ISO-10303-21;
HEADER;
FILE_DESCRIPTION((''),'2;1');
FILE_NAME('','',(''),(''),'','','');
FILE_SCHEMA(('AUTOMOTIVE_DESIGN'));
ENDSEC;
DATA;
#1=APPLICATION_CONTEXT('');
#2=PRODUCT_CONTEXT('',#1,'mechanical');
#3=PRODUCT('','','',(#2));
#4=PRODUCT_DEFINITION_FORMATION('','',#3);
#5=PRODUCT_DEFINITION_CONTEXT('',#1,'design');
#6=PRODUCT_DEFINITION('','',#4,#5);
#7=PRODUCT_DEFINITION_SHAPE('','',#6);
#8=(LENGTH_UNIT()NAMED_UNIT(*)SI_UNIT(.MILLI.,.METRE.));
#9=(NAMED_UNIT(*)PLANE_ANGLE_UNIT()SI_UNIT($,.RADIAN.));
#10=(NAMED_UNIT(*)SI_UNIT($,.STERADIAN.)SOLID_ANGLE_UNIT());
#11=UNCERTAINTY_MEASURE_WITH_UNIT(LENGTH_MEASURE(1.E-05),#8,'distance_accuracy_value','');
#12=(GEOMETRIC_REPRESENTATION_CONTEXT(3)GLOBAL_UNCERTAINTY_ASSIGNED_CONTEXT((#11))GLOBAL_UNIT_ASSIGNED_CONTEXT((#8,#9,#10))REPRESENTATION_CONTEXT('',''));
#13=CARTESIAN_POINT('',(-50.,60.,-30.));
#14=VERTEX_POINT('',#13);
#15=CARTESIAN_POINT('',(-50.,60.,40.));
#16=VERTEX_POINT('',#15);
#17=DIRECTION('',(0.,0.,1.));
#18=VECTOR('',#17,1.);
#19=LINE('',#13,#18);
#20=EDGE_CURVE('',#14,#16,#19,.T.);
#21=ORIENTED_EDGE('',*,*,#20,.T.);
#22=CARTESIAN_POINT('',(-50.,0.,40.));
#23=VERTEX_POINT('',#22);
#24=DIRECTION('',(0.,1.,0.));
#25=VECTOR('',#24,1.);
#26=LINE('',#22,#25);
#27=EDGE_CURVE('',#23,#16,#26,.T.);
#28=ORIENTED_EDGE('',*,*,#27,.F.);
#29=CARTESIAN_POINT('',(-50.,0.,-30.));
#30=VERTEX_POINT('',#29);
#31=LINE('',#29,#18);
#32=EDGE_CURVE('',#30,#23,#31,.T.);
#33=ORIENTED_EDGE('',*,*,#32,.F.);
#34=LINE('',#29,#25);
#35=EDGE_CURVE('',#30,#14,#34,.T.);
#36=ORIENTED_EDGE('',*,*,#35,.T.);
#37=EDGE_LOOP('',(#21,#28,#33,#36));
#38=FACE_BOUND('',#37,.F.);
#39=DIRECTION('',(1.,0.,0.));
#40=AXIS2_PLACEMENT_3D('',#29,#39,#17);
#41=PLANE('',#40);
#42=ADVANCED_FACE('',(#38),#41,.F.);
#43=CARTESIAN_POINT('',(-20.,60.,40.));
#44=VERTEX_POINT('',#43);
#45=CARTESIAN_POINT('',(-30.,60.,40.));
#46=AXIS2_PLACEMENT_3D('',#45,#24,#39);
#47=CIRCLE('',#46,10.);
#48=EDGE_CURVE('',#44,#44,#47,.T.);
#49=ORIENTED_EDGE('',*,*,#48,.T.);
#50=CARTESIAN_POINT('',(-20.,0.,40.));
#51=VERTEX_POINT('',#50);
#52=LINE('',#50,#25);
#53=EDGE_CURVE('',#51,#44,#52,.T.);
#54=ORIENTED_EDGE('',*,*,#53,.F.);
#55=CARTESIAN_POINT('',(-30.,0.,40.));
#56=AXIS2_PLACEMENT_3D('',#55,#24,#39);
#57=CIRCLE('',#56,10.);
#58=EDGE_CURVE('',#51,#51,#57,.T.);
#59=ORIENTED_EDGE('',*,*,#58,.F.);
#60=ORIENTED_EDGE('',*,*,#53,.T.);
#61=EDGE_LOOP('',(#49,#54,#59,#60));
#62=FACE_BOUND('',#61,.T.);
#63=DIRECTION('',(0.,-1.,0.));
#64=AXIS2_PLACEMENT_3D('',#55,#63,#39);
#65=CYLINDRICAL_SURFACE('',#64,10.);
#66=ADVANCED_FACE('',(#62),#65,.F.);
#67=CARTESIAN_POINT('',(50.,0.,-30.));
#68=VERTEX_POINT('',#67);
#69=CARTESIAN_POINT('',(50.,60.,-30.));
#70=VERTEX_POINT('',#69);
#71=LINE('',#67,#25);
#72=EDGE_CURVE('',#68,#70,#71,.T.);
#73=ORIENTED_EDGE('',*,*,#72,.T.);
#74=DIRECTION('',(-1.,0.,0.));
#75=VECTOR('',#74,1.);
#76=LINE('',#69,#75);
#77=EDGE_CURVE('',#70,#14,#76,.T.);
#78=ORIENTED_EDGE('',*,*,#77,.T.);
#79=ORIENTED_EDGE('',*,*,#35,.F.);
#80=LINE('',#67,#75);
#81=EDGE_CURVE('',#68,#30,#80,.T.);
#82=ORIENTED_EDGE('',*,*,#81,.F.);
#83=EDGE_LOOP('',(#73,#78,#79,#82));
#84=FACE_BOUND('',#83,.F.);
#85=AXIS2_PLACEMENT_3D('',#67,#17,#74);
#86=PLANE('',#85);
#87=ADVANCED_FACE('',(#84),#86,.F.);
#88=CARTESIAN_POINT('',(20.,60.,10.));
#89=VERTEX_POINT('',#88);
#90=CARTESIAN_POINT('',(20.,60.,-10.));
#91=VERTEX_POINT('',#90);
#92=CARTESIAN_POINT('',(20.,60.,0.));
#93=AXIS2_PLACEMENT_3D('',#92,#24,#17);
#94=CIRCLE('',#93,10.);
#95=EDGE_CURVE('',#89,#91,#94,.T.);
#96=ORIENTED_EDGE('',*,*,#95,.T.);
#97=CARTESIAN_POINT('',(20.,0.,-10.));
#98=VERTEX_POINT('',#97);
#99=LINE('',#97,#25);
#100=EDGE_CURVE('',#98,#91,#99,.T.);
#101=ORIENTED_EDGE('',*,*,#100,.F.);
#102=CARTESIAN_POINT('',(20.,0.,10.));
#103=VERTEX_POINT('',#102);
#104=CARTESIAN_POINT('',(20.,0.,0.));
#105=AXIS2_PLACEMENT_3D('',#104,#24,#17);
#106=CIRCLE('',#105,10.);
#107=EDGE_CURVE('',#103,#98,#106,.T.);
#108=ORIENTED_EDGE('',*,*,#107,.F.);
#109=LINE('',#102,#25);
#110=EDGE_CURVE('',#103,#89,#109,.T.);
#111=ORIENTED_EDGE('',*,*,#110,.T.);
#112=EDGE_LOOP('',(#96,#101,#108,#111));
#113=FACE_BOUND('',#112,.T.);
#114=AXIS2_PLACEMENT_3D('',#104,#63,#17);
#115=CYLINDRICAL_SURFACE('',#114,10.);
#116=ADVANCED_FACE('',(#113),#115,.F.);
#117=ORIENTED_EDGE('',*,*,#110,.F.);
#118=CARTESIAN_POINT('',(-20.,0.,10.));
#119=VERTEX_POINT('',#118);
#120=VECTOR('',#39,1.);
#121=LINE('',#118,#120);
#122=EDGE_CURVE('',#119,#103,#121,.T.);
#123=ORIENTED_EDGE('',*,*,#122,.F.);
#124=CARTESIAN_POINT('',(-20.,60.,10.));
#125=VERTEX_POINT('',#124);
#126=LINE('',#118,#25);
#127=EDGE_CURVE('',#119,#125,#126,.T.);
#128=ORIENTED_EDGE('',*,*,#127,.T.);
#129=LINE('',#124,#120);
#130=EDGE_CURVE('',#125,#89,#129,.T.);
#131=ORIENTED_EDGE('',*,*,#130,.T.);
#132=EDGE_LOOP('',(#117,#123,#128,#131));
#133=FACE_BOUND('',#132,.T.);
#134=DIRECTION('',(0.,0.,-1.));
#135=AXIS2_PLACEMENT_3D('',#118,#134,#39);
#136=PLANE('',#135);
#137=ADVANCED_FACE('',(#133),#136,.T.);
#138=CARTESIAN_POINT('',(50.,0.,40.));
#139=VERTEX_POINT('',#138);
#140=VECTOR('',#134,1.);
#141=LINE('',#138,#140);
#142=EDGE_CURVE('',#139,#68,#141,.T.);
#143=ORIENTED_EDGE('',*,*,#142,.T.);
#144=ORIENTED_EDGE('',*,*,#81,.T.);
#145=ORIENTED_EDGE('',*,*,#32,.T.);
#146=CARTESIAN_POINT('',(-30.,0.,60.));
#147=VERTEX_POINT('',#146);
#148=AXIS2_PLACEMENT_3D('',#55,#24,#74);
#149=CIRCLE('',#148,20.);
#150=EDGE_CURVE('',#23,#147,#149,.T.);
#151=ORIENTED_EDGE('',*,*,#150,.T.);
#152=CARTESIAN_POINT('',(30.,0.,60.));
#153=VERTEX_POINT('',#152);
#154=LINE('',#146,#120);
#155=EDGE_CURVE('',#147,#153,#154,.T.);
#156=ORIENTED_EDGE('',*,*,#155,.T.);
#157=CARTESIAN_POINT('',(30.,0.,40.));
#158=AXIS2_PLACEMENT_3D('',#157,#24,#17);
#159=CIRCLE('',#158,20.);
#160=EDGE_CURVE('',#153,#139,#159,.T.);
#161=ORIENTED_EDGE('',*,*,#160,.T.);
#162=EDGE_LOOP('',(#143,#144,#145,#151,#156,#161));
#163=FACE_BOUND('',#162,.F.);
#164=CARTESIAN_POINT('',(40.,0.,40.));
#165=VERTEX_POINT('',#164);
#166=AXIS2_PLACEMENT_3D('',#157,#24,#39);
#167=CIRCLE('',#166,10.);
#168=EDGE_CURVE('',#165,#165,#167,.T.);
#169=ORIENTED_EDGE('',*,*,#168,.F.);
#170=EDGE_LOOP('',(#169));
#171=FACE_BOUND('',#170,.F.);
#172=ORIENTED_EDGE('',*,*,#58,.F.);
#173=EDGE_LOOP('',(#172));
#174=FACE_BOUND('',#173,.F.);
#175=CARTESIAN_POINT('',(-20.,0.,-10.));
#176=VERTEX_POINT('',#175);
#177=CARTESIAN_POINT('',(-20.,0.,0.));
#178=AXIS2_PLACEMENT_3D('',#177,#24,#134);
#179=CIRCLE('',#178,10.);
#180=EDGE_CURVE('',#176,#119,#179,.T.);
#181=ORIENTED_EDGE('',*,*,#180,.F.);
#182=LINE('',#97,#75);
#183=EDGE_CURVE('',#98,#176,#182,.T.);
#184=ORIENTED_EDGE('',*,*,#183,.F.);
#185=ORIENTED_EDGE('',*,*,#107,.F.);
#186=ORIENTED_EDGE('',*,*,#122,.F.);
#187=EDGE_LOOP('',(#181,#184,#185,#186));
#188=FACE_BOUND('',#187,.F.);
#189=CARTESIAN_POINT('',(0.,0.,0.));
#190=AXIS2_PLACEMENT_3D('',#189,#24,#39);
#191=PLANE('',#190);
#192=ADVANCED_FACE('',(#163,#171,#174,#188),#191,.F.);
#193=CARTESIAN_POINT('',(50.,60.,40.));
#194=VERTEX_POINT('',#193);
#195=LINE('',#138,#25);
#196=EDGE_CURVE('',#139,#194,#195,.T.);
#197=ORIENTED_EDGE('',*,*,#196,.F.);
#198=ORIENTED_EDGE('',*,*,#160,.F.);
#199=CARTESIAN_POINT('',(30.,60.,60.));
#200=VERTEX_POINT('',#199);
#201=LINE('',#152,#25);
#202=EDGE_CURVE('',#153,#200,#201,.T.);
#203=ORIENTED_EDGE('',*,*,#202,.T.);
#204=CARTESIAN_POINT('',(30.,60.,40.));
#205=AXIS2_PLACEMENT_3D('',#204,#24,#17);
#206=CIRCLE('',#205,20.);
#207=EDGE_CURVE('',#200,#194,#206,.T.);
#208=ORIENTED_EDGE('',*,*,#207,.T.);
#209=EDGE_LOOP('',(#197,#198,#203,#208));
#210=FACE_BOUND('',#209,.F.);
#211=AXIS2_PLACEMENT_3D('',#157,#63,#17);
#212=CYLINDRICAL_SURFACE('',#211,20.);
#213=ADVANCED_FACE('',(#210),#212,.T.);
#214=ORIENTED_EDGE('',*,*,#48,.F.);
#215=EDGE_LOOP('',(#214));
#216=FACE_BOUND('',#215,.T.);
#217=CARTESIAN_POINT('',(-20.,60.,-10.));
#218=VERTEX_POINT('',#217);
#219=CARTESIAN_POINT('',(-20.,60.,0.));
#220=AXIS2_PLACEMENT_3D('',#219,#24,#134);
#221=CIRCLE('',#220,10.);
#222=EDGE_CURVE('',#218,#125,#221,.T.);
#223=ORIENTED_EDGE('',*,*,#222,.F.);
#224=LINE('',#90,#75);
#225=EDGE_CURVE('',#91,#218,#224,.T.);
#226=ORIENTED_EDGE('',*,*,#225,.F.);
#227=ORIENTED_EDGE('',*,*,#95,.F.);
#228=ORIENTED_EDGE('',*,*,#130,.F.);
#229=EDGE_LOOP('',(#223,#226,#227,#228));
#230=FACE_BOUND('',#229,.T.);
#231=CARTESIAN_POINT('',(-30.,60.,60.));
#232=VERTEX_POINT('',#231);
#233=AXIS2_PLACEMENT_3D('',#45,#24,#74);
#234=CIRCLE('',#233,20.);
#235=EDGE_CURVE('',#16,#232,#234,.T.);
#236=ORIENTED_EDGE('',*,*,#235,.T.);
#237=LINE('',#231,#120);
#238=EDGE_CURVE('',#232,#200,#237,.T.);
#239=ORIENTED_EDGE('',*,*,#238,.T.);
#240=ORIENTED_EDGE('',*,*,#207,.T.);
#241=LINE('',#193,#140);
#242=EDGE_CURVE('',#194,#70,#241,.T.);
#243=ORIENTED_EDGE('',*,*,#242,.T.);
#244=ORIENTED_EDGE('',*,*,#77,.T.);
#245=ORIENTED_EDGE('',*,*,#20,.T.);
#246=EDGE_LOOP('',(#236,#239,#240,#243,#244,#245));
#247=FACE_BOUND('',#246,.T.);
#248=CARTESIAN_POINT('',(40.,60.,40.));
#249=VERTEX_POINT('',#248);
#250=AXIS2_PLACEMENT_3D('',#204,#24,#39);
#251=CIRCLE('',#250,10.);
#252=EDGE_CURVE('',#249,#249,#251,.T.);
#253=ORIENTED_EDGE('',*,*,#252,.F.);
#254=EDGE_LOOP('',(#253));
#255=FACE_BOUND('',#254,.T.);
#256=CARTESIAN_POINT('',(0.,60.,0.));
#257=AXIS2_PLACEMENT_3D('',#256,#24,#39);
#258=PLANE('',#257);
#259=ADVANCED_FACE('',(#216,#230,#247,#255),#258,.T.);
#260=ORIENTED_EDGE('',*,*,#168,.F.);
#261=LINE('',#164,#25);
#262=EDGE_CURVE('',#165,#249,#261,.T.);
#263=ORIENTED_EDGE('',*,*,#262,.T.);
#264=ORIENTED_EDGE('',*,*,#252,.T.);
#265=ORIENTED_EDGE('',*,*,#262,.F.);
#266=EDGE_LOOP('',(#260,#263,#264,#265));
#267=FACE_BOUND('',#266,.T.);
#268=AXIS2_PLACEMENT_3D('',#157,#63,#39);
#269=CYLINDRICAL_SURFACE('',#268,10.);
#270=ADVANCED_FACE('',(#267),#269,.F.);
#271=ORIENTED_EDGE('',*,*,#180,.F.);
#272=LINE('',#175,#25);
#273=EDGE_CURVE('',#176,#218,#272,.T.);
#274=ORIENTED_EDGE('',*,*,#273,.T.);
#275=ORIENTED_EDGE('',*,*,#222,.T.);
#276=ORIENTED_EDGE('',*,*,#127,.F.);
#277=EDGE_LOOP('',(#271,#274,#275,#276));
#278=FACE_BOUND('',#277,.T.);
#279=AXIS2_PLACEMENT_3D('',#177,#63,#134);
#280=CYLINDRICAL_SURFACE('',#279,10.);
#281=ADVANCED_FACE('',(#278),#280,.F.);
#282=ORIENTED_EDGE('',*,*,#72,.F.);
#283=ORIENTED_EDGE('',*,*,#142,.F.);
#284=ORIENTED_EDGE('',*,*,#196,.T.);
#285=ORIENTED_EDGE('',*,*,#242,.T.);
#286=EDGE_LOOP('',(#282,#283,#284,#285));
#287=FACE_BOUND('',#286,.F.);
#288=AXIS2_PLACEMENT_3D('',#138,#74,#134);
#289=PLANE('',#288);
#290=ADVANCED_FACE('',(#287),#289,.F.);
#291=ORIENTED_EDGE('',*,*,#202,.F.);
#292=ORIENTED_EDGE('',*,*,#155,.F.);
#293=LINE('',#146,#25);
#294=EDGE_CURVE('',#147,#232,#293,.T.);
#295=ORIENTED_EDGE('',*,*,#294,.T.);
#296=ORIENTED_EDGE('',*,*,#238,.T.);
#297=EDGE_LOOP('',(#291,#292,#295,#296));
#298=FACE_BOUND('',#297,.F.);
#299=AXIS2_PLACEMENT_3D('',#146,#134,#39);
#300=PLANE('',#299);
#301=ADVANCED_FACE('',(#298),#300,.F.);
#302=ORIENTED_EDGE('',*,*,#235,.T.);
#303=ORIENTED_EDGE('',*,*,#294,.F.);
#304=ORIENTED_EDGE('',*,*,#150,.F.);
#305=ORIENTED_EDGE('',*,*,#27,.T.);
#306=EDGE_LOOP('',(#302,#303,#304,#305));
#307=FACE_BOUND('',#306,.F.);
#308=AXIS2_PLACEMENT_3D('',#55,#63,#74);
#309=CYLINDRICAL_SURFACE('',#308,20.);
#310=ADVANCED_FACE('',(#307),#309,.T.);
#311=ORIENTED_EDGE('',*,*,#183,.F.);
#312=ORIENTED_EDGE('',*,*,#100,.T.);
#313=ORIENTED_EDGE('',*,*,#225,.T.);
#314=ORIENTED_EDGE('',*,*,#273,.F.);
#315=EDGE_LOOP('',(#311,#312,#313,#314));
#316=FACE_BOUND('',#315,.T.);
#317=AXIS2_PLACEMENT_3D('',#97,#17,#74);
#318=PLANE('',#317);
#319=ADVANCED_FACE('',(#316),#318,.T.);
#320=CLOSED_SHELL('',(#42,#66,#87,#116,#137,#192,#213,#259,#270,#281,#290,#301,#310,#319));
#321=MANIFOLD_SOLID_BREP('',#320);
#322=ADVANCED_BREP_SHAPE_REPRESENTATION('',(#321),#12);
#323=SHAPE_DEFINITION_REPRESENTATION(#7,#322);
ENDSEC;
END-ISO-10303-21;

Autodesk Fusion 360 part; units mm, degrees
sketch "Sketch5" plane through (0, 0, 0) normal (0, 1, 0) x (1, 0, 0)
  line L0 (50, 30) -> (-50, 30)
  line L1 (-50, 30) -> (-50, -40)
  arc A0 (-50, -40) -> (-30, -60) centre (-30, -40) ccw
  line L2 (-30, -60) -> (30, -60)
  arc A1 (30, -60) -> (50, -40) centre (30, -40) ccw
  line L3 (50, -40) -> (50, 30)
  circle A2 centre (-30, -40) radius 10
  circle A3 centre (30, -40) radius 10
  line L4 (-20, -10) -> (20, -10)
  arc A4 (20, -10) -> (20, 10) centre (20, 0) ccw
  line L5 (20, 10) -> (-20, 10)
  arc A5 (-20, 10) -> (-20, -10) centre (-20, 0) ccw
  line L6 (-30, 0) -> (30, 0) construction
  dimension "d15" = 20
  dimension "d16" = 100
  dimension "d17" = 70
  dimension "d18" = 20
  dimension "d19" = 30
  dimension "d20" = 50
  dimension "d21" = 10
  dimension "d22" = 40
  dimension "d23" = 20
extrude "Extrude4" add sketch "Sketch5" along normal blind 60
